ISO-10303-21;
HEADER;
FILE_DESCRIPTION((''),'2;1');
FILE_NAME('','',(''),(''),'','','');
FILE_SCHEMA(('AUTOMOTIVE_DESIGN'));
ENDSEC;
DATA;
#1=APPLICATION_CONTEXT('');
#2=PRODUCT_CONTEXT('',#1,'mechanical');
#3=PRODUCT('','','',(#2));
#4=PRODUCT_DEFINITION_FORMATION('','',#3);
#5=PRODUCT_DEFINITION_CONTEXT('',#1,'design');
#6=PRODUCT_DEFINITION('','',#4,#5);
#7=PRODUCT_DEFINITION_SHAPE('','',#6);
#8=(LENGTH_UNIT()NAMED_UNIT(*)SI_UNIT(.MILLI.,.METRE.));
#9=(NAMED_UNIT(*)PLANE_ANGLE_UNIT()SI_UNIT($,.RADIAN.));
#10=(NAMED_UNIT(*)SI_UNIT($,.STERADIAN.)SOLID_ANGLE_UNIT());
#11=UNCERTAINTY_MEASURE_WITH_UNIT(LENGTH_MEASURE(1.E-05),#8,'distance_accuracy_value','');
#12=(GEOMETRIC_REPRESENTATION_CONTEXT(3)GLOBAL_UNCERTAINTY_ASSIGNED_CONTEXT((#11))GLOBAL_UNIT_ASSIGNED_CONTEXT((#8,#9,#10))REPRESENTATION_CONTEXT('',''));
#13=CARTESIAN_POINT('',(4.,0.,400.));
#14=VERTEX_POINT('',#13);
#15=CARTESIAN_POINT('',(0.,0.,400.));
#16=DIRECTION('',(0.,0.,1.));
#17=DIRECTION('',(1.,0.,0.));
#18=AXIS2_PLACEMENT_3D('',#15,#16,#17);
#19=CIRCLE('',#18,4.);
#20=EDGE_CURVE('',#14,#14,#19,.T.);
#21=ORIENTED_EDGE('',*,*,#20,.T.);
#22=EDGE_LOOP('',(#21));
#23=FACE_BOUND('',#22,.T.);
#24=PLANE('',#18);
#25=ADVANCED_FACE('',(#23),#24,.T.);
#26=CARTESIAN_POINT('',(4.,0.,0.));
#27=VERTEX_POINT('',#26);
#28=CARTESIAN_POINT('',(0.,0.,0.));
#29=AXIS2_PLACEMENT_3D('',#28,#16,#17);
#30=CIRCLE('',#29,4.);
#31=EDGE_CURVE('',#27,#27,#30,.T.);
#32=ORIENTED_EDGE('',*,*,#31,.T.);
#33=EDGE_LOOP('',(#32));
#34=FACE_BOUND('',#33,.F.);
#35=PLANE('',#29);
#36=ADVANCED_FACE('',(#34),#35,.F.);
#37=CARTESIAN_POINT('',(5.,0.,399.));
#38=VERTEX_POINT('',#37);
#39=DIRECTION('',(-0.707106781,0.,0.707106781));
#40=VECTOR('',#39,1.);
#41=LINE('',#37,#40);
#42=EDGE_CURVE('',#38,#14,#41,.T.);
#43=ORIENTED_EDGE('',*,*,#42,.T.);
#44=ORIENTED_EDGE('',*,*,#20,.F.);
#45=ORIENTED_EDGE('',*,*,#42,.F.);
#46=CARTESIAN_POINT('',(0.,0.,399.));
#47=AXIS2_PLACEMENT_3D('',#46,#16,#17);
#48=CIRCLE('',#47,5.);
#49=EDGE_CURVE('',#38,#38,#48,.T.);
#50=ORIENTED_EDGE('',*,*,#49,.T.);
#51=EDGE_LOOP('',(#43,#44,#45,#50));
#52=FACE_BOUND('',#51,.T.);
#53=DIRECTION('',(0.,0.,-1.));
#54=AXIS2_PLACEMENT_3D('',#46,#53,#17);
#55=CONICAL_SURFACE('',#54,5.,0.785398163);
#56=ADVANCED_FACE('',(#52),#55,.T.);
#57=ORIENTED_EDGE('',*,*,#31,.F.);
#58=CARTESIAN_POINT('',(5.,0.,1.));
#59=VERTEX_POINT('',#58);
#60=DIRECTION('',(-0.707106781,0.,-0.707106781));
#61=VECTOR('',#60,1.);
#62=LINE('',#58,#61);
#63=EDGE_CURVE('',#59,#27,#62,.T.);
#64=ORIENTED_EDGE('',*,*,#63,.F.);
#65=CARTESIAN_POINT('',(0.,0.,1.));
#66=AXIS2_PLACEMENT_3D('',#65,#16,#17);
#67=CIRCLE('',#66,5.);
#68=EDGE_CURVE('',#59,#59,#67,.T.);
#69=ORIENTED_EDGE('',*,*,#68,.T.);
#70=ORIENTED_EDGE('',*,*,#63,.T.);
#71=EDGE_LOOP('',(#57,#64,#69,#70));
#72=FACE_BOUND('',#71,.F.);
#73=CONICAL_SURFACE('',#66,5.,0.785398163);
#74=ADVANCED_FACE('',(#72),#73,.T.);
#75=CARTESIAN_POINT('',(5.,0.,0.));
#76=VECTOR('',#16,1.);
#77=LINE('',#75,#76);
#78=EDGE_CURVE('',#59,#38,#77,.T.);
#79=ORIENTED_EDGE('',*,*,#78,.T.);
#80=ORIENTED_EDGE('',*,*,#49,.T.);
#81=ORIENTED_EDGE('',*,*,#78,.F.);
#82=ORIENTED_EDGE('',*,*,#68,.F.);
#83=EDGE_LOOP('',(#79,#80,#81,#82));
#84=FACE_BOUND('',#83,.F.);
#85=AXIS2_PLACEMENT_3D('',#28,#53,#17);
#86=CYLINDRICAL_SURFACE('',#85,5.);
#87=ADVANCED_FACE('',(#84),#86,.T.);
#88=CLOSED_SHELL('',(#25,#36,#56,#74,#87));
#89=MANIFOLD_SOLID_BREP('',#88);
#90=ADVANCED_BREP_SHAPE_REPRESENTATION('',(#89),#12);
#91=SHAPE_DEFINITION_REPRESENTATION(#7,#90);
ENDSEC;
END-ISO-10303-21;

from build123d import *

# Parameters (mm, degrees)
CYLINDER_R     = 5
CYLINDER_DEPTH = 400
CHAMFER_SIZE   = 1


with BuildPart() as part:
    # Cylinder → Cylinder (new body)
    with BuildSketch(Plane.XY):
        Circle(CYLINDER_R)
    extrude(amount=CYLINDER_DEPTH)

    # Chamfer
    chamfer_edges = [part.edges().sort_by_distance(p)[0] for p in [
        (-5, 0, 400),
        (-5, 0, 0),
    ]]
    chamfer(chamfer_edges, length=CHAMFER_SIZE)


solid = part.part
